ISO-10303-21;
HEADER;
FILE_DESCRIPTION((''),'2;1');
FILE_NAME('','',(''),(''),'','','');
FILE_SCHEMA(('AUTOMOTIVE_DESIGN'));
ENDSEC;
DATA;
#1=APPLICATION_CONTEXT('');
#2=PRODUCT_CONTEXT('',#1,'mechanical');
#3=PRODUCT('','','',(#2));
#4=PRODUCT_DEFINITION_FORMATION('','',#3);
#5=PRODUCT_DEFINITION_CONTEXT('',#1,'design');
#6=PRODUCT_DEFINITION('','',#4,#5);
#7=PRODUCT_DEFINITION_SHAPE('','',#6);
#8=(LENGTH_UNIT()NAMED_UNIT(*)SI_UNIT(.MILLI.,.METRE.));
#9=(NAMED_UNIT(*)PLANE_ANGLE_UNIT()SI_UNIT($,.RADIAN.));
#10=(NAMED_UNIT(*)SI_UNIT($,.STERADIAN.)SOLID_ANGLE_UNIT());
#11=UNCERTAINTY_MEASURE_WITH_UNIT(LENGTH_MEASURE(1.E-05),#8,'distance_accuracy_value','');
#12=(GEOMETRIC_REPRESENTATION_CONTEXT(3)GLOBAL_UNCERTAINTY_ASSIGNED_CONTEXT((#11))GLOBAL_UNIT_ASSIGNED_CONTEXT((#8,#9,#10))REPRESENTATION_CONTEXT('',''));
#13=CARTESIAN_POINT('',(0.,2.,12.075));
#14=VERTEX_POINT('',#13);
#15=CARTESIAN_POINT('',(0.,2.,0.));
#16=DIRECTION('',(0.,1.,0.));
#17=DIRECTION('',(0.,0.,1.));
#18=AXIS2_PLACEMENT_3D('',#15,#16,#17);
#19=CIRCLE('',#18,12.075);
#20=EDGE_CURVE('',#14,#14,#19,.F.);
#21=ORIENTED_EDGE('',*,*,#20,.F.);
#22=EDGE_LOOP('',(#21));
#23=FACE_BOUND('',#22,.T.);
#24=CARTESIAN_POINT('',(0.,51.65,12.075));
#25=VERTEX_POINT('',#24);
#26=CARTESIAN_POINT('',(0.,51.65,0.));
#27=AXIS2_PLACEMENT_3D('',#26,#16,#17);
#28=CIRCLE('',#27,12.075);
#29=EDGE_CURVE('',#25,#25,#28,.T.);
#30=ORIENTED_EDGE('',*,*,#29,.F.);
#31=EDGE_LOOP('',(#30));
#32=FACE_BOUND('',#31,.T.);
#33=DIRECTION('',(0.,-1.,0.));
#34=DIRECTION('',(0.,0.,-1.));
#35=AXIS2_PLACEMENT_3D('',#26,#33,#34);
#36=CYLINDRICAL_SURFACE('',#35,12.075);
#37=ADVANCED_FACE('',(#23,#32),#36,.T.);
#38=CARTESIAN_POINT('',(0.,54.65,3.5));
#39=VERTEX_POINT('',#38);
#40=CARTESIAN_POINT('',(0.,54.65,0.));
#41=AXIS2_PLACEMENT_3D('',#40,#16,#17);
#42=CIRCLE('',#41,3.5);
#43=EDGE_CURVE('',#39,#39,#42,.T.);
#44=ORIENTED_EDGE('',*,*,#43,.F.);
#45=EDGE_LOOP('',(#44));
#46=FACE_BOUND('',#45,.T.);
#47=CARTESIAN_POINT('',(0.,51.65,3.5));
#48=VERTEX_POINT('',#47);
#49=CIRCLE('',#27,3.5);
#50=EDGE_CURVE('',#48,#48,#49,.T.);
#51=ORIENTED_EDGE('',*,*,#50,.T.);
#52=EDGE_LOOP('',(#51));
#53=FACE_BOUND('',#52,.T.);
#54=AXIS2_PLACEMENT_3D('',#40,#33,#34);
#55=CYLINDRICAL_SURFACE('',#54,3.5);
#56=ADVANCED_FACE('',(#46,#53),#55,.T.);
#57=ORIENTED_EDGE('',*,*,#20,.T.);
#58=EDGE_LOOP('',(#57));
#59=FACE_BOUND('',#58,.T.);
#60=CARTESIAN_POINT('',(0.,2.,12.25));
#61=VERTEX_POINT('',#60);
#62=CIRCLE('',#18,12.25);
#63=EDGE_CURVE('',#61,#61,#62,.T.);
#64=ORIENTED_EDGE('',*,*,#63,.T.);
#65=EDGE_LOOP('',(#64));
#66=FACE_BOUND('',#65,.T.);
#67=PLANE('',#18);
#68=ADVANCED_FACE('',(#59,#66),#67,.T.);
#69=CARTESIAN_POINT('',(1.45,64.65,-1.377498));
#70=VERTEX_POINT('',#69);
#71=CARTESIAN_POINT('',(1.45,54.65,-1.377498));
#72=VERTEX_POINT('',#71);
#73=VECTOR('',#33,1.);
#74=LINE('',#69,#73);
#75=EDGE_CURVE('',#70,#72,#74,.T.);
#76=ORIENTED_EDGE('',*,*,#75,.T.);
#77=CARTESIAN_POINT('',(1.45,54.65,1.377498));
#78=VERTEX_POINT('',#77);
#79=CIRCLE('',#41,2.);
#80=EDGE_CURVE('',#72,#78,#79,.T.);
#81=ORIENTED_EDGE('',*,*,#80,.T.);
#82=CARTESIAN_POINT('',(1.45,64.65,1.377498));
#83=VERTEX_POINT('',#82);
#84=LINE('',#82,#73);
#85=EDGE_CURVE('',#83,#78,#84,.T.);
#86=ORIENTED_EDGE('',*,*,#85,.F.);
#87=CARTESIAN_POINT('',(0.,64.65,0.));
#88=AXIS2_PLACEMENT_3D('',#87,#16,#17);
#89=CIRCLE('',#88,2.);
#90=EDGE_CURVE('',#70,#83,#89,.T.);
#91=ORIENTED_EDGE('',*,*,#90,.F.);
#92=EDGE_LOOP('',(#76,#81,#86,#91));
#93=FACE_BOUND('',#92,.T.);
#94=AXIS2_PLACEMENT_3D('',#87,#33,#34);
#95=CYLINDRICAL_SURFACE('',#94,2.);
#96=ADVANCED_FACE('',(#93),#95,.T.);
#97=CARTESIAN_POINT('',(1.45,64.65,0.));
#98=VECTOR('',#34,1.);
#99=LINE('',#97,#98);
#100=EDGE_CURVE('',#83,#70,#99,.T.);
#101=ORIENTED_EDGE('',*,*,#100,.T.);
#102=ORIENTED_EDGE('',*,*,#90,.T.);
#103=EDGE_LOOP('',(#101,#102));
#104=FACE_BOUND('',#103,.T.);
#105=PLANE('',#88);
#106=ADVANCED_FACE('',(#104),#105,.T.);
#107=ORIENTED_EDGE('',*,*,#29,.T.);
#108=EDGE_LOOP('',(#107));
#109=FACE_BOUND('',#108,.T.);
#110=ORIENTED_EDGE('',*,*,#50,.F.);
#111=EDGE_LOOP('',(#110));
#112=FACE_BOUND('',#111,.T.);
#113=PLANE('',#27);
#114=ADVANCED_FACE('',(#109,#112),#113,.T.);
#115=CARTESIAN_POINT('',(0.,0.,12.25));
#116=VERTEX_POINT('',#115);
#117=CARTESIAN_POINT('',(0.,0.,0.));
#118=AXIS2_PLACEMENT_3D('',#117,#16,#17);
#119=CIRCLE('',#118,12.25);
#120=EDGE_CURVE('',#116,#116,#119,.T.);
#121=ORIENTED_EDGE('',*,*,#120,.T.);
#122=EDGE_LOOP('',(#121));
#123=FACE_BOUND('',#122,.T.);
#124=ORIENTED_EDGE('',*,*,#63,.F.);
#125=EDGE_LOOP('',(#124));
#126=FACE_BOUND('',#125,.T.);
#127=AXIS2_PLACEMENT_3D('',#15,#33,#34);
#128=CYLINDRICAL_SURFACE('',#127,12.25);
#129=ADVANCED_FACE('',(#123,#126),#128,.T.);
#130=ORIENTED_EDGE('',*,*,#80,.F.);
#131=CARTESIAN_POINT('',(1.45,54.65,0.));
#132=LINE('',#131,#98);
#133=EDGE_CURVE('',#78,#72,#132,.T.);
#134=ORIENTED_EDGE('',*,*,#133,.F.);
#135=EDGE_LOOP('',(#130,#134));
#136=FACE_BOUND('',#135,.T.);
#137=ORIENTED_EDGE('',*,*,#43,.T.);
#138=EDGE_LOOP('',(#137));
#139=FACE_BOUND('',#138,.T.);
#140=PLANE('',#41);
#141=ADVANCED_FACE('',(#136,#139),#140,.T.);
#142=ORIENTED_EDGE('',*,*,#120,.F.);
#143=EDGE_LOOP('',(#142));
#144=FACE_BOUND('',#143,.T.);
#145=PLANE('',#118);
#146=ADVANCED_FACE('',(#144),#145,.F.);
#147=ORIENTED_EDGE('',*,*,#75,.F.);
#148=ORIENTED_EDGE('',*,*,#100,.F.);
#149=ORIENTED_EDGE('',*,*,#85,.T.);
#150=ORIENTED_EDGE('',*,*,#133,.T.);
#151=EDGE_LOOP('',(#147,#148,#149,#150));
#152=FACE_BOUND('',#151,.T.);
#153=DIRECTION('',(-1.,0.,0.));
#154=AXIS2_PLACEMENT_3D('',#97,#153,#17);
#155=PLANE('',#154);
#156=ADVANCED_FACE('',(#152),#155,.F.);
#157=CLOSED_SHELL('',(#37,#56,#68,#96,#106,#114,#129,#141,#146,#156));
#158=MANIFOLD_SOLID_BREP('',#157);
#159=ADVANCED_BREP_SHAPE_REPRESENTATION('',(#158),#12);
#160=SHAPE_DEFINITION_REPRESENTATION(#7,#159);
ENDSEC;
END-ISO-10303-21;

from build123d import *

# Parameters (mm, degrees)
SKETCH_1_R      = 12.25
EXTRUDE_1_DEPTH = 2
SKETCH_2_R      = 12.075
EXTRUDE_2_DEPTH = 51.65
SKETCH_3_R      = 3.5
EXTRUDE_3_DEPTH = 3
EXTRUDE_4_DEPTH = 10


with BuildPart() as part:
    # Эскиз1 → Бобышка-Вытянуть1 (new body)
    with BuildSketch(Plane(origin=(0, 0, 0), x_dir=(1, 0, 0), z_dir=(0, 1, 0))):
        Circle(SKETCH_1_R)
    extrude(amount=EXTRUDE_1_DEPTH)

    # Эскиз2 → Бобышка-Вытянуть2 (add)
    with BuildSketch(Plane(origin=(0, 0, 0), x_dir=(1, 0, 0), z_dir=(0, 1, 0))):
        Circle(SKETCH_2_R)
    extrude(amount=EXTRUDE_2_DEPTH)

    # Эскиз3 → Бобышка-Вытянуть3 (add)
    with BuildSketch(Plane(origin=(0, 51.65, 0), x_dir=(1, 0, 0), z_dir=(0, 1, 0))):
        Circle(SKETCH_3_R)
    extrude(amount=EXTRUDE_3_DEPTH)

    # Эскиз4 → Бобышка-Вытянуть4 (add)
    with BuildSketch(Plane(origin=(0, 54.65, 0), x_dir=(1, 0, 0), z_dir=(0, 1, 0))):
        with BuildLine():
            Line((1.45, 0), (1.45, 1.377497731))
            ThreePointArc((1.45, 1.377497731), (-2, 0), (1.45, -1.377497731))
            Line((1.45, -1.377497731), (1.45, 0))
        make_face()
    extrude(amount=EXTRUDE_4_DEPTH)


solid = part.part
